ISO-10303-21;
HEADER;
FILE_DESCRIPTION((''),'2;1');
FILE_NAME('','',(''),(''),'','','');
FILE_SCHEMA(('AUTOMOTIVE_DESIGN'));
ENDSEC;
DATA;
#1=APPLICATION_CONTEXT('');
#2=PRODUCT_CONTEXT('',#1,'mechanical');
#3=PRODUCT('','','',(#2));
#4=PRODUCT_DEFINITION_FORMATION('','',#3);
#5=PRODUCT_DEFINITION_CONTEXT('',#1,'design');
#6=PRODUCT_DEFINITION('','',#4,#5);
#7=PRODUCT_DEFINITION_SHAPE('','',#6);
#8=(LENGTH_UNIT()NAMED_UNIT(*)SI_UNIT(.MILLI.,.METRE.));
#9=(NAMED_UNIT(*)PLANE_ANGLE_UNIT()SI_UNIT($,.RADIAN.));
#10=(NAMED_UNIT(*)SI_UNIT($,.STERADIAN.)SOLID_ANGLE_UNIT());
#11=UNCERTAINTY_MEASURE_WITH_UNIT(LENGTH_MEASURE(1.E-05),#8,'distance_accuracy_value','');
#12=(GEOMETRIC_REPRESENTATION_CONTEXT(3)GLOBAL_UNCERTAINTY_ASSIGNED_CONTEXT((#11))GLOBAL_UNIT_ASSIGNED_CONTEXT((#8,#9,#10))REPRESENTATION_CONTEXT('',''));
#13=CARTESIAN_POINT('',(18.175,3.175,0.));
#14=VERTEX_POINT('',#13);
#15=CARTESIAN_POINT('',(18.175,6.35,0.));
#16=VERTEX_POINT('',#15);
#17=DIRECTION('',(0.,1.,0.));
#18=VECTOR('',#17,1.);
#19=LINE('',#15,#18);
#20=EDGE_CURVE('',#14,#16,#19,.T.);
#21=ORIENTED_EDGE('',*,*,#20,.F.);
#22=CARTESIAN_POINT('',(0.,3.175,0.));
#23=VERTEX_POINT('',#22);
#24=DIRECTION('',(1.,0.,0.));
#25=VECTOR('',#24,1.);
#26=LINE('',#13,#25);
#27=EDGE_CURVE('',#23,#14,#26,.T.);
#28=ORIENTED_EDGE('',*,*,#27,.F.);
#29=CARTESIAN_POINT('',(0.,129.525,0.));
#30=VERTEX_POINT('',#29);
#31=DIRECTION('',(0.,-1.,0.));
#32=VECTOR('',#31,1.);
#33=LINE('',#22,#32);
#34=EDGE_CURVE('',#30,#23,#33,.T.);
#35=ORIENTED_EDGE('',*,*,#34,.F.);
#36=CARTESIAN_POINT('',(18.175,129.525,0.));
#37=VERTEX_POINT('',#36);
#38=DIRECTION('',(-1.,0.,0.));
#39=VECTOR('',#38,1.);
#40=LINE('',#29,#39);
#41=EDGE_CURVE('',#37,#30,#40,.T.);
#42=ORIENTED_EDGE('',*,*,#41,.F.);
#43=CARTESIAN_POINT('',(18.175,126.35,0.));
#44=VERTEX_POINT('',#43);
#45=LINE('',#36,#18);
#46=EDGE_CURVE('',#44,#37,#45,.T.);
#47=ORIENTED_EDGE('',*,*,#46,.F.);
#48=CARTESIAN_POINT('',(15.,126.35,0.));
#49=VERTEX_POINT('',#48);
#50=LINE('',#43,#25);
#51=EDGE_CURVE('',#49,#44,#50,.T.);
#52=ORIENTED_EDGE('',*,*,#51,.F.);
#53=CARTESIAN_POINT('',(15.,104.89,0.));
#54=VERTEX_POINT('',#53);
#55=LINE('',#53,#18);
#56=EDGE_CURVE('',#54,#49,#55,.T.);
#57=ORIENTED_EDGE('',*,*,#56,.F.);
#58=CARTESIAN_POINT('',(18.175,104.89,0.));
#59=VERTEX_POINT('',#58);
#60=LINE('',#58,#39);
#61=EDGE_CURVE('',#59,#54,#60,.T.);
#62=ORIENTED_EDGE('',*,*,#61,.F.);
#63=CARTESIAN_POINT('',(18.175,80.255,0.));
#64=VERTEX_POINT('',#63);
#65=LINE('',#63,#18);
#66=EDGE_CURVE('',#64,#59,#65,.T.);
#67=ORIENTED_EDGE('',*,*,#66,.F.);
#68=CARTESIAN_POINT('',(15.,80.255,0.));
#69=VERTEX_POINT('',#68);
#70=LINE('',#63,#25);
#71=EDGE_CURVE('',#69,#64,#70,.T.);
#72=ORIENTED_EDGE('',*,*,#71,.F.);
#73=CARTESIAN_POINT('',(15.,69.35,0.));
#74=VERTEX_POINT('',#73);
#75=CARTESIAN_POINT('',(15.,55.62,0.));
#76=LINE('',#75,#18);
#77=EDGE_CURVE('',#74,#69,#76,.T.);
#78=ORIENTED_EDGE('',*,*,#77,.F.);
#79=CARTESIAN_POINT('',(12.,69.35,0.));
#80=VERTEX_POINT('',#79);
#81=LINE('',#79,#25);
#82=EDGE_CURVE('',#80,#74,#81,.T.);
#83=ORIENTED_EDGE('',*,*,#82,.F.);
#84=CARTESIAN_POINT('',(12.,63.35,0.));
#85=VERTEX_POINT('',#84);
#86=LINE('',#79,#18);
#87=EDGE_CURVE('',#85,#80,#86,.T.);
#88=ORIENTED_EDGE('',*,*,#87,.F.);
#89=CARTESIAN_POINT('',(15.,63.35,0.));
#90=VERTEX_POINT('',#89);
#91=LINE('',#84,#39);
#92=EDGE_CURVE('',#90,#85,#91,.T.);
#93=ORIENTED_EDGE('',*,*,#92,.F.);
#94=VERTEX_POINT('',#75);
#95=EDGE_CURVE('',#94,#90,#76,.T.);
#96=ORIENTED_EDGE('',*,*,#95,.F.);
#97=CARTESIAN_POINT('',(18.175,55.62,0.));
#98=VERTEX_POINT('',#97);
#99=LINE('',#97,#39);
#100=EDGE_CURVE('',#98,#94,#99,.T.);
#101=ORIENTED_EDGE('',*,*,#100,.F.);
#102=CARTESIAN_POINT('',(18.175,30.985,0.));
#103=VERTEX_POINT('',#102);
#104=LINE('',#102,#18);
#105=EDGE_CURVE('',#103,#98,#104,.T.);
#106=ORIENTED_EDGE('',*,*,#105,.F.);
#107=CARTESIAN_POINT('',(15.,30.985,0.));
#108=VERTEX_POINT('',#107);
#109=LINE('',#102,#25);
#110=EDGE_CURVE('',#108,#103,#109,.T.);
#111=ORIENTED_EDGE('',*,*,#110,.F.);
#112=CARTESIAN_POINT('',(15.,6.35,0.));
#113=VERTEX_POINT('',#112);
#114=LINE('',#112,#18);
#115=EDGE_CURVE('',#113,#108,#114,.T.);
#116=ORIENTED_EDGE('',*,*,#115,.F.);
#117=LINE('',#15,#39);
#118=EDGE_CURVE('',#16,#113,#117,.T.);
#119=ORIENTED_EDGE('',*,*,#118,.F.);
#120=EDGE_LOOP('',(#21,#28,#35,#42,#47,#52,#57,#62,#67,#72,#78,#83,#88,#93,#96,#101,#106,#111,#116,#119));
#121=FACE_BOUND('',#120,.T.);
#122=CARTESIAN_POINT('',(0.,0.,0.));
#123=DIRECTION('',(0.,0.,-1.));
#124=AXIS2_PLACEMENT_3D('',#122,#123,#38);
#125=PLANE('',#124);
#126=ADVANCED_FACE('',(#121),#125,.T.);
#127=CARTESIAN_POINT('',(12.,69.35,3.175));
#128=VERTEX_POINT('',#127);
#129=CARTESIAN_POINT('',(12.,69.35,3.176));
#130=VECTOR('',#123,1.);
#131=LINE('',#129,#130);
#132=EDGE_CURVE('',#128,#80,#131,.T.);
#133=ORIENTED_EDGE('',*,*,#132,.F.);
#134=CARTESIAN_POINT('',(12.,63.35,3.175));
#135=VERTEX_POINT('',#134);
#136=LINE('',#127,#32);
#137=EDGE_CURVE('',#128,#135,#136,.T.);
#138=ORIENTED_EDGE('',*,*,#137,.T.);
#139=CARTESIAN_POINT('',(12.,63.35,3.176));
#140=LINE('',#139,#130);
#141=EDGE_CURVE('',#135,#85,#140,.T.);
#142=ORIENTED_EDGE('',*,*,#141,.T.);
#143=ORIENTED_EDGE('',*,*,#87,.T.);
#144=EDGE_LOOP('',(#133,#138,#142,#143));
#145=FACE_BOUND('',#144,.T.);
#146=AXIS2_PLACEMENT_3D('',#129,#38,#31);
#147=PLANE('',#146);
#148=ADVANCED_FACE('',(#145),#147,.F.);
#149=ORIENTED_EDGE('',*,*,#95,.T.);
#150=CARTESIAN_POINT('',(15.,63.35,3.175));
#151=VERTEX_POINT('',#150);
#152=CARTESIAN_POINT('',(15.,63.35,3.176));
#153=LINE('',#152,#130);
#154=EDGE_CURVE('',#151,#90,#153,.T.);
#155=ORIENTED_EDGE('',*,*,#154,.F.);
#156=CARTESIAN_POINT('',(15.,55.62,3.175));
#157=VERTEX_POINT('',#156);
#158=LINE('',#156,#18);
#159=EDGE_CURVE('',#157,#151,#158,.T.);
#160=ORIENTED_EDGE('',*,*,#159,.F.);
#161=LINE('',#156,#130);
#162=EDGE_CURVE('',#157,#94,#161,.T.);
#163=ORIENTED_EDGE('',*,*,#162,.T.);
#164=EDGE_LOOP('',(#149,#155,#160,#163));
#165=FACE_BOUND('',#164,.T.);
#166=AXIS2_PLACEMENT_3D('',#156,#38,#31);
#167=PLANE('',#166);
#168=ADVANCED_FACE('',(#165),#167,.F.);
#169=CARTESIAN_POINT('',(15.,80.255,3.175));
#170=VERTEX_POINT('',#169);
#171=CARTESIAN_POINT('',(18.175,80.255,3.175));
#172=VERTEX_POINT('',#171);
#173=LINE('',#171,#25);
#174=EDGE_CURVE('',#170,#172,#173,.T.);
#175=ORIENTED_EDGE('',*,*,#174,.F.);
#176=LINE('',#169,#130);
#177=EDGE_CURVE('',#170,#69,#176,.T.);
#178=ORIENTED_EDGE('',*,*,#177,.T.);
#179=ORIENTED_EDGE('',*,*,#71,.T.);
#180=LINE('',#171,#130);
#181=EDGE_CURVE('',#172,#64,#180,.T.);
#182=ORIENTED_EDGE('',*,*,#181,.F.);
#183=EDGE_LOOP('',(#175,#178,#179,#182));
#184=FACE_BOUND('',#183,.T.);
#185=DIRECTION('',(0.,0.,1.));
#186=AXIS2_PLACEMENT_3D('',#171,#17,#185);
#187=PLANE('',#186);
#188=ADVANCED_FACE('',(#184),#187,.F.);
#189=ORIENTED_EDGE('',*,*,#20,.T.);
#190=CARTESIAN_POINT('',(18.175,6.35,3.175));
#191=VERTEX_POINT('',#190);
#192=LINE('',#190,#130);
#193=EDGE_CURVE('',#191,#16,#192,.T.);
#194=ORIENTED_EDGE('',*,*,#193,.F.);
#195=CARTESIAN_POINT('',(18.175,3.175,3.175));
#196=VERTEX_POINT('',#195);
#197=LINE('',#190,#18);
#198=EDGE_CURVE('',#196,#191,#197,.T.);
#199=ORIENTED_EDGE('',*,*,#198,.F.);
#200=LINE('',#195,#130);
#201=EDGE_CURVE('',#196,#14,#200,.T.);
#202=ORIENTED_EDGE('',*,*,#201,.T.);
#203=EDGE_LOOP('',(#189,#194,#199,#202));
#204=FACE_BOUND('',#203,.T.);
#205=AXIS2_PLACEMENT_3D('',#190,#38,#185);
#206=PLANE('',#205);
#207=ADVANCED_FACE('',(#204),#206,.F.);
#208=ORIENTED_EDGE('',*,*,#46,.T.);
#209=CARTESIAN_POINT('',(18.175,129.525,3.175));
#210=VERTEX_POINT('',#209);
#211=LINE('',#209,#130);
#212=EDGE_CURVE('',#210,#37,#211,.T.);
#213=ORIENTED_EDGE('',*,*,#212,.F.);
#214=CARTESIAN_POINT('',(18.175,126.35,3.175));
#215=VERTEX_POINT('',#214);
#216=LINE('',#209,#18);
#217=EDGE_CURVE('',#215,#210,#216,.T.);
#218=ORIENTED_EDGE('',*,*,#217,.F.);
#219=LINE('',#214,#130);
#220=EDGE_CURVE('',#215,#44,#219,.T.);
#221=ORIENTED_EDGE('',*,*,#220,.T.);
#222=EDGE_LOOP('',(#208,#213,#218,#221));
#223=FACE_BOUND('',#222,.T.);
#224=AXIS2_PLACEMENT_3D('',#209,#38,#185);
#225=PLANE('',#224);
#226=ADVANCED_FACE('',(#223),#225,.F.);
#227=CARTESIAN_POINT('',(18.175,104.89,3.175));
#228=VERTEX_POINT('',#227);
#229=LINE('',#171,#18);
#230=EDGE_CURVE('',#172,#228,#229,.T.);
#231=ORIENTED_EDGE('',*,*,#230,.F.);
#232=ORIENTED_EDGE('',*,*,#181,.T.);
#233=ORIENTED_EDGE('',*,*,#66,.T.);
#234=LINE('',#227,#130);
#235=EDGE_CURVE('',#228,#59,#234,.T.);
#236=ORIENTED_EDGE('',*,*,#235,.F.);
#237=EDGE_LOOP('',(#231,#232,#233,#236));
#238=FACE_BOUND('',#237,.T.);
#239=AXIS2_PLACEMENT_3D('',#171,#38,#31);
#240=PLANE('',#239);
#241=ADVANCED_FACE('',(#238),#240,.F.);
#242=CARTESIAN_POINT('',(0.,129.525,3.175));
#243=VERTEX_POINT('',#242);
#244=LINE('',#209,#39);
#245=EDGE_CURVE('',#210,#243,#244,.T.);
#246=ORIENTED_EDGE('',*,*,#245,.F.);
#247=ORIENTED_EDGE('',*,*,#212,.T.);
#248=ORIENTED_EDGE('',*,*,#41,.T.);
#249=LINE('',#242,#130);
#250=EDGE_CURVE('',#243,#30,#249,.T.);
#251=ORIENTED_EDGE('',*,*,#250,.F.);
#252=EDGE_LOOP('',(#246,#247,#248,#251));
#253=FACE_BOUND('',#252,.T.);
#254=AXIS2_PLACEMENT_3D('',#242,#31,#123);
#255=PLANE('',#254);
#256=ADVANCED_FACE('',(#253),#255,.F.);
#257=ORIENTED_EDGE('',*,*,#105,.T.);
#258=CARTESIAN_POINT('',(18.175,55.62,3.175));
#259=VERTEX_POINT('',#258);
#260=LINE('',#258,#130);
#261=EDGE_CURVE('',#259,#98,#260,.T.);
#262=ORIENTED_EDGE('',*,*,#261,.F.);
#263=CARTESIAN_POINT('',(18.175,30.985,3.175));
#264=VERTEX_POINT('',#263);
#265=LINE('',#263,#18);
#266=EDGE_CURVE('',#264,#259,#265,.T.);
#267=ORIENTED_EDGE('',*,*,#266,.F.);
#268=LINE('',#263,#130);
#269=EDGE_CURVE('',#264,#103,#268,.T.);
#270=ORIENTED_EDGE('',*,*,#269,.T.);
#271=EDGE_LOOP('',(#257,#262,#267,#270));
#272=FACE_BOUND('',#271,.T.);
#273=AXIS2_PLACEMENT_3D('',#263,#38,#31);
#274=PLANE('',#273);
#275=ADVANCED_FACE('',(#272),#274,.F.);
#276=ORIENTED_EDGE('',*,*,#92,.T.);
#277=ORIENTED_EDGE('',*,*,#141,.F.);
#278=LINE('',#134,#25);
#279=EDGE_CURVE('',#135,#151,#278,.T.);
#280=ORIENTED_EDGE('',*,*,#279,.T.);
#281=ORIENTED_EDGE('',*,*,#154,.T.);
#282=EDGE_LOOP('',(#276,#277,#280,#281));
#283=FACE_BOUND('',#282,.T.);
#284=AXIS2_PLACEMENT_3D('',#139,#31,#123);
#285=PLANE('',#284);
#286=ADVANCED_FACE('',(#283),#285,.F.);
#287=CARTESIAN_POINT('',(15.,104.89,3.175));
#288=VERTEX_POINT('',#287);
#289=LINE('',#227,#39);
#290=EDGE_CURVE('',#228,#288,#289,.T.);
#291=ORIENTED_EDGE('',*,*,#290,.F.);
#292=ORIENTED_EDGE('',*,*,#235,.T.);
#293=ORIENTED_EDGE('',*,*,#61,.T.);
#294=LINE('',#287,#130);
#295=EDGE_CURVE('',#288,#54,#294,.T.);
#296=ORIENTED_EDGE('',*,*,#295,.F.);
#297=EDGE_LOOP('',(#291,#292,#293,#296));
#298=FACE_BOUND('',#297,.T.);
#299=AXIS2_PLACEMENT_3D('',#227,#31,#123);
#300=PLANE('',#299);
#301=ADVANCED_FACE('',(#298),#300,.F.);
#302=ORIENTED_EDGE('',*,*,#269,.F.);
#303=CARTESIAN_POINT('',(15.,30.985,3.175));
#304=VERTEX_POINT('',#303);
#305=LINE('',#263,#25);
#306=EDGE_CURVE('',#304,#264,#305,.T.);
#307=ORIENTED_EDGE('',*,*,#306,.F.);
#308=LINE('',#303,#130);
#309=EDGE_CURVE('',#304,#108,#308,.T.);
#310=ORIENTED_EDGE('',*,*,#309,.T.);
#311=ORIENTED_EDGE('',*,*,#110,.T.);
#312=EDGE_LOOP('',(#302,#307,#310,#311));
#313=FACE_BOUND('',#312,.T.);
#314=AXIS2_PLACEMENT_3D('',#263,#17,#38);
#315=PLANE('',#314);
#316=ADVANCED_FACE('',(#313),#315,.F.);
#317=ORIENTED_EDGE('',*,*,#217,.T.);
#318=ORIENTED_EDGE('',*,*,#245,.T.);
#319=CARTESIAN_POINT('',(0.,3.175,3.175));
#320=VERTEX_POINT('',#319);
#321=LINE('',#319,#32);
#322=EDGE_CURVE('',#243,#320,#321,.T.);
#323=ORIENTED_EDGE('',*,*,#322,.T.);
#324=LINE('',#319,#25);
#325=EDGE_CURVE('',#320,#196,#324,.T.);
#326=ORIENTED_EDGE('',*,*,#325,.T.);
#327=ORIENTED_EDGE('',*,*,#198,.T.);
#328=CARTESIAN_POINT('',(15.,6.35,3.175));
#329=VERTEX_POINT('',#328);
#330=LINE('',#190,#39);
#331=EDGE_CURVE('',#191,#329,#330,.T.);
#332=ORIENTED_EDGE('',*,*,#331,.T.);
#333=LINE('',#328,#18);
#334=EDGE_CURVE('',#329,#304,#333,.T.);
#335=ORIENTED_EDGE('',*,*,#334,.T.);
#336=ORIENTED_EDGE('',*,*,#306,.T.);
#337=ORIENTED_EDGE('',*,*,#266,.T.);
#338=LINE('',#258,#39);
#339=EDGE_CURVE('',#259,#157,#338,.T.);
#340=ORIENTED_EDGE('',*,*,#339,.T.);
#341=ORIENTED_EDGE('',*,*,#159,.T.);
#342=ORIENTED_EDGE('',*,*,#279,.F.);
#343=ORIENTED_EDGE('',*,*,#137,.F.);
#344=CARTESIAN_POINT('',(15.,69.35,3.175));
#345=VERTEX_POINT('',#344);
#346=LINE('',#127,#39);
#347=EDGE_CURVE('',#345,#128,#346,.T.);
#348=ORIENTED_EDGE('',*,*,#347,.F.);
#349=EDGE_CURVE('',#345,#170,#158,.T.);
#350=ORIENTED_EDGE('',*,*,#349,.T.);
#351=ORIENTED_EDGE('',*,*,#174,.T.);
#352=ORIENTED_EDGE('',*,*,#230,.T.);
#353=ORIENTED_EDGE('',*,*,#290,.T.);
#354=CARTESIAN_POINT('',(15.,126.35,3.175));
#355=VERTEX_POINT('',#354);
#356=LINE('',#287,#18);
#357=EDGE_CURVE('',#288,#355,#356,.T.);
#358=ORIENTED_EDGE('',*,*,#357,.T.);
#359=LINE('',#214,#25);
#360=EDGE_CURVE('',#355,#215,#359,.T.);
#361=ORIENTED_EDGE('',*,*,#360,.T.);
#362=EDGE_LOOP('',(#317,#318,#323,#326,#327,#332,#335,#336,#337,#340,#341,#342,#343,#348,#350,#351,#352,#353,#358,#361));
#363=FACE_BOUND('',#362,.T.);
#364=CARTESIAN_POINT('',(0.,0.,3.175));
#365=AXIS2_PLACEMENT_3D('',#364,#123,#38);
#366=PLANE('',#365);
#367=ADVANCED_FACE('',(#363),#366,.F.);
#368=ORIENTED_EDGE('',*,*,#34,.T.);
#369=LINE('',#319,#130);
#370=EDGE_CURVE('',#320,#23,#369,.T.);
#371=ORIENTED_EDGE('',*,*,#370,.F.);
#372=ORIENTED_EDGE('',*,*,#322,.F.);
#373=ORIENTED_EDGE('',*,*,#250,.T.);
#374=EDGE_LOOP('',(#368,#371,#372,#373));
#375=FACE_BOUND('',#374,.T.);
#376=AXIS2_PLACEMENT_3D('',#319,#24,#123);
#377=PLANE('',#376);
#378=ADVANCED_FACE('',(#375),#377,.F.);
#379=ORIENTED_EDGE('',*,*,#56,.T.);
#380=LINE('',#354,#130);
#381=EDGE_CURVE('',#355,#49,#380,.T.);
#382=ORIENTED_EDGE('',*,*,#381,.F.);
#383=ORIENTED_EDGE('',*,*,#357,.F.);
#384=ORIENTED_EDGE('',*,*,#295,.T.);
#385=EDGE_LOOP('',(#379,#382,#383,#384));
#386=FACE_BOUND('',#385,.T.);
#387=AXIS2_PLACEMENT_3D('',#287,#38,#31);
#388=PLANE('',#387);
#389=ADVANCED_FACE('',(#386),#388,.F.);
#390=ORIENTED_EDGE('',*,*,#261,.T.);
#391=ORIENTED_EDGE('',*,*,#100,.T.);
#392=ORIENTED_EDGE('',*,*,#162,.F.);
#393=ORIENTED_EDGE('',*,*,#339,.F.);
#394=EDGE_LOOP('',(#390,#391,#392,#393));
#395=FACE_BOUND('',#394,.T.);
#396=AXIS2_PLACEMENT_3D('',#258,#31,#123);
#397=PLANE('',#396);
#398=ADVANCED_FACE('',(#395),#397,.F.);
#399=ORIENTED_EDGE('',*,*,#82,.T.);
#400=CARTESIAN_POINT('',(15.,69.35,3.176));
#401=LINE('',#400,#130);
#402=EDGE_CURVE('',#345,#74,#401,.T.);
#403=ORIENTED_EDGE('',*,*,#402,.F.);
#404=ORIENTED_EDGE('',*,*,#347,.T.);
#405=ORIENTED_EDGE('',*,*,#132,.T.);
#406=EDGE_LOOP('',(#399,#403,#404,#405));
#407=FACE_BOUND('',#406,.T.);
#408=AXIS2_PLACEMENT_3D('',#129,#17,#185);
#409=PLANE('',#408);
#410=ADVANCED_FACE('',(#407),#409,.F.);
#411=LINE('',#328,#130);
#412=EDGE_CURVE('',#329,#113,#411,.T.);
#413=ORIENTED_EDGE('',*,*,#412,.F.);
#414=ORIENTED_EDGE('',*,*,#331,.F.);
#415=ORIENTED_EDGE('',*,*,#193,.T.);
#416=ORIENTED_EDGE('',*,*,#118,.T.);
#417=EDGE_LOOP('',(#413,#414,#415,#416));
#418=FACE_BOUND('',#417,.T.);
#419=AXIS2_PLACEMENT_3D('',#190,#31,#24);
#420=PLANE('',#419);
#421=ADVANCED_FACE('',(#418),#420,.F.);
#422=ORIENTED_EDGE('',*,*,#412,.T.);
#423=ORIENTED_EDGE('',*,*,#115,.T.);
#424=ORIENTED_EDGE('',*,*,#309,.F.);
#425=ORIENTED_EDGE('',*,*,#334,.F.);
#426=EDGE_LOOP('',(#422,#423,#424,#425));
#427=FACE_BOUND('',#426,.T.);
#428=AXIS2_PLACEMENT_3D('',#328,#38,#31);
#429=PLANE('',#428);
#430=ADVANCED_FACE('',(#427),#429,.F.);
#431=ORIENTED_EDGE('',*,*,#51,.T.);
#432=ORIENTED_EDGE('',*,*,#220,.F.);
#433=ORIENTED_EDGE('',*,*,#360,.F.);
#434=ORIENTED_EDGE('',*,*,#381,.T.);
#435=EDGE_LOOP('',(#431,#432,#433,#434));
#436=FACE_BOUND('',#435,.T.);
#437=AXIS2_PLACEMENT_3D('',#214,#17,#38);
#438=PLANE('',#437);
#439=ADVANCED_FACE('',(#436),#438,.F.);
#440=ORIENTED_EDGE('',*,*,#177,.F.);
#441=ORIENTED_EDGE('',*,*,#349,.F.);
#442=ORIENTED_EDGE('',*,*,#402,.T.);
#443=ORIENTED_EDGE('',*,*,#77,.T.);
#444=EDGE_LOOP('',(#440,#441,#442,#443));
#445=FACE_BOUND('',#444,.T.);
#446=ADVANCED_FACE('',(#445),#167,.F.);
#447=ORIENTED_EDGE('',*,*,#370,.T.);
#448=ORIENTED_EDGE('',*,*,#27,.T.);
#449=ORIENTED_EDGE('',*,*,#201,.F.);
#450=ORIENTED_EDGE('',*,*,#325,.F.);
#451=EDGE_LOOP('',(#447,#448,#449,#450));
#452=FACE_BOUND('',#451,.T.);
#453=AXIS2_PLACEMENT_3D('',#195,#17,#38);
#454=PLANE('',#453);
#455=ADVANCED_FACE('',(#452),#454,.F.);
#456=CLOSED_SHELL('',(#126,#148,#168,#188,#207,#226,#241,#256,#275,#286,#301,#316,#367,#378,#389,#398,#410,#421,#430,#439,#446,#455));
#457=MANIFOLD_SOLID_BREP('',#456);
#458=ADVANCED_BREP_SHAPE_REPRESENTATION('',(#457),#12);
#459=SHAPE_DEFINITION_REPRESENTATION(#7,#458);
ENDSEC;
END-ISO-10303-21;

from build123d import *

# Parameters (mm, degrees)
BOSS_EXTRUDE1_DEPTH = 3.175
CUT_EXTRUDE2_REACH  = 132.832
SKETCH2_W           = 3
SKETCH2_H           = 6


with BuildPart() as part:
    # Sketch1 → Boss-Extrude1 (new body)
    with BuildSketch(Plane.XY):
        Polygon((0, 3.175), (15, 3.175), (18.175, 3.175), (18.175, 6.35), (15, 6.35), (15, 30.985), (18.175, 30.985), (18.175, 55.62), (15, 55.62), (15, 80.255), (18.175, 80.255), (18.175, 104.89), (15, 104.89), (15, 126.35), (18.175, 126.35), (18.175, 129.525), (15, 129.525), (0, 129.525), align=None)
    extrude(amount=BOSS_EXTRUDE1_DEPTH)

    # Sketch2 → Cut-Extrude2 (cut, up to next)
    with BuildSketch(Plane(origin=(0, 0, 0), x_dir=(-1, 0, 0), z_dir=(0, 0, -1)), mode=Mode.PRIVATE) as cut_extrude2_sk1:
        with Locations((-13.5, 66.35)):
            Rectangle(SKETCH2_W, SKETCH2_H)
    cut_extrude2_tool1 = extrude(cut_extrude2_sk1.sketch, amount=-CUT_EXTRUDE2_REACH, mode=Mode.PRIVATE) & part.part
    add(cut_extrude2_tool1.solids().sort_by_distance((13.5, 66.35, 0))[0], mode=Mode.SUBTRACT)


solid = part.part
